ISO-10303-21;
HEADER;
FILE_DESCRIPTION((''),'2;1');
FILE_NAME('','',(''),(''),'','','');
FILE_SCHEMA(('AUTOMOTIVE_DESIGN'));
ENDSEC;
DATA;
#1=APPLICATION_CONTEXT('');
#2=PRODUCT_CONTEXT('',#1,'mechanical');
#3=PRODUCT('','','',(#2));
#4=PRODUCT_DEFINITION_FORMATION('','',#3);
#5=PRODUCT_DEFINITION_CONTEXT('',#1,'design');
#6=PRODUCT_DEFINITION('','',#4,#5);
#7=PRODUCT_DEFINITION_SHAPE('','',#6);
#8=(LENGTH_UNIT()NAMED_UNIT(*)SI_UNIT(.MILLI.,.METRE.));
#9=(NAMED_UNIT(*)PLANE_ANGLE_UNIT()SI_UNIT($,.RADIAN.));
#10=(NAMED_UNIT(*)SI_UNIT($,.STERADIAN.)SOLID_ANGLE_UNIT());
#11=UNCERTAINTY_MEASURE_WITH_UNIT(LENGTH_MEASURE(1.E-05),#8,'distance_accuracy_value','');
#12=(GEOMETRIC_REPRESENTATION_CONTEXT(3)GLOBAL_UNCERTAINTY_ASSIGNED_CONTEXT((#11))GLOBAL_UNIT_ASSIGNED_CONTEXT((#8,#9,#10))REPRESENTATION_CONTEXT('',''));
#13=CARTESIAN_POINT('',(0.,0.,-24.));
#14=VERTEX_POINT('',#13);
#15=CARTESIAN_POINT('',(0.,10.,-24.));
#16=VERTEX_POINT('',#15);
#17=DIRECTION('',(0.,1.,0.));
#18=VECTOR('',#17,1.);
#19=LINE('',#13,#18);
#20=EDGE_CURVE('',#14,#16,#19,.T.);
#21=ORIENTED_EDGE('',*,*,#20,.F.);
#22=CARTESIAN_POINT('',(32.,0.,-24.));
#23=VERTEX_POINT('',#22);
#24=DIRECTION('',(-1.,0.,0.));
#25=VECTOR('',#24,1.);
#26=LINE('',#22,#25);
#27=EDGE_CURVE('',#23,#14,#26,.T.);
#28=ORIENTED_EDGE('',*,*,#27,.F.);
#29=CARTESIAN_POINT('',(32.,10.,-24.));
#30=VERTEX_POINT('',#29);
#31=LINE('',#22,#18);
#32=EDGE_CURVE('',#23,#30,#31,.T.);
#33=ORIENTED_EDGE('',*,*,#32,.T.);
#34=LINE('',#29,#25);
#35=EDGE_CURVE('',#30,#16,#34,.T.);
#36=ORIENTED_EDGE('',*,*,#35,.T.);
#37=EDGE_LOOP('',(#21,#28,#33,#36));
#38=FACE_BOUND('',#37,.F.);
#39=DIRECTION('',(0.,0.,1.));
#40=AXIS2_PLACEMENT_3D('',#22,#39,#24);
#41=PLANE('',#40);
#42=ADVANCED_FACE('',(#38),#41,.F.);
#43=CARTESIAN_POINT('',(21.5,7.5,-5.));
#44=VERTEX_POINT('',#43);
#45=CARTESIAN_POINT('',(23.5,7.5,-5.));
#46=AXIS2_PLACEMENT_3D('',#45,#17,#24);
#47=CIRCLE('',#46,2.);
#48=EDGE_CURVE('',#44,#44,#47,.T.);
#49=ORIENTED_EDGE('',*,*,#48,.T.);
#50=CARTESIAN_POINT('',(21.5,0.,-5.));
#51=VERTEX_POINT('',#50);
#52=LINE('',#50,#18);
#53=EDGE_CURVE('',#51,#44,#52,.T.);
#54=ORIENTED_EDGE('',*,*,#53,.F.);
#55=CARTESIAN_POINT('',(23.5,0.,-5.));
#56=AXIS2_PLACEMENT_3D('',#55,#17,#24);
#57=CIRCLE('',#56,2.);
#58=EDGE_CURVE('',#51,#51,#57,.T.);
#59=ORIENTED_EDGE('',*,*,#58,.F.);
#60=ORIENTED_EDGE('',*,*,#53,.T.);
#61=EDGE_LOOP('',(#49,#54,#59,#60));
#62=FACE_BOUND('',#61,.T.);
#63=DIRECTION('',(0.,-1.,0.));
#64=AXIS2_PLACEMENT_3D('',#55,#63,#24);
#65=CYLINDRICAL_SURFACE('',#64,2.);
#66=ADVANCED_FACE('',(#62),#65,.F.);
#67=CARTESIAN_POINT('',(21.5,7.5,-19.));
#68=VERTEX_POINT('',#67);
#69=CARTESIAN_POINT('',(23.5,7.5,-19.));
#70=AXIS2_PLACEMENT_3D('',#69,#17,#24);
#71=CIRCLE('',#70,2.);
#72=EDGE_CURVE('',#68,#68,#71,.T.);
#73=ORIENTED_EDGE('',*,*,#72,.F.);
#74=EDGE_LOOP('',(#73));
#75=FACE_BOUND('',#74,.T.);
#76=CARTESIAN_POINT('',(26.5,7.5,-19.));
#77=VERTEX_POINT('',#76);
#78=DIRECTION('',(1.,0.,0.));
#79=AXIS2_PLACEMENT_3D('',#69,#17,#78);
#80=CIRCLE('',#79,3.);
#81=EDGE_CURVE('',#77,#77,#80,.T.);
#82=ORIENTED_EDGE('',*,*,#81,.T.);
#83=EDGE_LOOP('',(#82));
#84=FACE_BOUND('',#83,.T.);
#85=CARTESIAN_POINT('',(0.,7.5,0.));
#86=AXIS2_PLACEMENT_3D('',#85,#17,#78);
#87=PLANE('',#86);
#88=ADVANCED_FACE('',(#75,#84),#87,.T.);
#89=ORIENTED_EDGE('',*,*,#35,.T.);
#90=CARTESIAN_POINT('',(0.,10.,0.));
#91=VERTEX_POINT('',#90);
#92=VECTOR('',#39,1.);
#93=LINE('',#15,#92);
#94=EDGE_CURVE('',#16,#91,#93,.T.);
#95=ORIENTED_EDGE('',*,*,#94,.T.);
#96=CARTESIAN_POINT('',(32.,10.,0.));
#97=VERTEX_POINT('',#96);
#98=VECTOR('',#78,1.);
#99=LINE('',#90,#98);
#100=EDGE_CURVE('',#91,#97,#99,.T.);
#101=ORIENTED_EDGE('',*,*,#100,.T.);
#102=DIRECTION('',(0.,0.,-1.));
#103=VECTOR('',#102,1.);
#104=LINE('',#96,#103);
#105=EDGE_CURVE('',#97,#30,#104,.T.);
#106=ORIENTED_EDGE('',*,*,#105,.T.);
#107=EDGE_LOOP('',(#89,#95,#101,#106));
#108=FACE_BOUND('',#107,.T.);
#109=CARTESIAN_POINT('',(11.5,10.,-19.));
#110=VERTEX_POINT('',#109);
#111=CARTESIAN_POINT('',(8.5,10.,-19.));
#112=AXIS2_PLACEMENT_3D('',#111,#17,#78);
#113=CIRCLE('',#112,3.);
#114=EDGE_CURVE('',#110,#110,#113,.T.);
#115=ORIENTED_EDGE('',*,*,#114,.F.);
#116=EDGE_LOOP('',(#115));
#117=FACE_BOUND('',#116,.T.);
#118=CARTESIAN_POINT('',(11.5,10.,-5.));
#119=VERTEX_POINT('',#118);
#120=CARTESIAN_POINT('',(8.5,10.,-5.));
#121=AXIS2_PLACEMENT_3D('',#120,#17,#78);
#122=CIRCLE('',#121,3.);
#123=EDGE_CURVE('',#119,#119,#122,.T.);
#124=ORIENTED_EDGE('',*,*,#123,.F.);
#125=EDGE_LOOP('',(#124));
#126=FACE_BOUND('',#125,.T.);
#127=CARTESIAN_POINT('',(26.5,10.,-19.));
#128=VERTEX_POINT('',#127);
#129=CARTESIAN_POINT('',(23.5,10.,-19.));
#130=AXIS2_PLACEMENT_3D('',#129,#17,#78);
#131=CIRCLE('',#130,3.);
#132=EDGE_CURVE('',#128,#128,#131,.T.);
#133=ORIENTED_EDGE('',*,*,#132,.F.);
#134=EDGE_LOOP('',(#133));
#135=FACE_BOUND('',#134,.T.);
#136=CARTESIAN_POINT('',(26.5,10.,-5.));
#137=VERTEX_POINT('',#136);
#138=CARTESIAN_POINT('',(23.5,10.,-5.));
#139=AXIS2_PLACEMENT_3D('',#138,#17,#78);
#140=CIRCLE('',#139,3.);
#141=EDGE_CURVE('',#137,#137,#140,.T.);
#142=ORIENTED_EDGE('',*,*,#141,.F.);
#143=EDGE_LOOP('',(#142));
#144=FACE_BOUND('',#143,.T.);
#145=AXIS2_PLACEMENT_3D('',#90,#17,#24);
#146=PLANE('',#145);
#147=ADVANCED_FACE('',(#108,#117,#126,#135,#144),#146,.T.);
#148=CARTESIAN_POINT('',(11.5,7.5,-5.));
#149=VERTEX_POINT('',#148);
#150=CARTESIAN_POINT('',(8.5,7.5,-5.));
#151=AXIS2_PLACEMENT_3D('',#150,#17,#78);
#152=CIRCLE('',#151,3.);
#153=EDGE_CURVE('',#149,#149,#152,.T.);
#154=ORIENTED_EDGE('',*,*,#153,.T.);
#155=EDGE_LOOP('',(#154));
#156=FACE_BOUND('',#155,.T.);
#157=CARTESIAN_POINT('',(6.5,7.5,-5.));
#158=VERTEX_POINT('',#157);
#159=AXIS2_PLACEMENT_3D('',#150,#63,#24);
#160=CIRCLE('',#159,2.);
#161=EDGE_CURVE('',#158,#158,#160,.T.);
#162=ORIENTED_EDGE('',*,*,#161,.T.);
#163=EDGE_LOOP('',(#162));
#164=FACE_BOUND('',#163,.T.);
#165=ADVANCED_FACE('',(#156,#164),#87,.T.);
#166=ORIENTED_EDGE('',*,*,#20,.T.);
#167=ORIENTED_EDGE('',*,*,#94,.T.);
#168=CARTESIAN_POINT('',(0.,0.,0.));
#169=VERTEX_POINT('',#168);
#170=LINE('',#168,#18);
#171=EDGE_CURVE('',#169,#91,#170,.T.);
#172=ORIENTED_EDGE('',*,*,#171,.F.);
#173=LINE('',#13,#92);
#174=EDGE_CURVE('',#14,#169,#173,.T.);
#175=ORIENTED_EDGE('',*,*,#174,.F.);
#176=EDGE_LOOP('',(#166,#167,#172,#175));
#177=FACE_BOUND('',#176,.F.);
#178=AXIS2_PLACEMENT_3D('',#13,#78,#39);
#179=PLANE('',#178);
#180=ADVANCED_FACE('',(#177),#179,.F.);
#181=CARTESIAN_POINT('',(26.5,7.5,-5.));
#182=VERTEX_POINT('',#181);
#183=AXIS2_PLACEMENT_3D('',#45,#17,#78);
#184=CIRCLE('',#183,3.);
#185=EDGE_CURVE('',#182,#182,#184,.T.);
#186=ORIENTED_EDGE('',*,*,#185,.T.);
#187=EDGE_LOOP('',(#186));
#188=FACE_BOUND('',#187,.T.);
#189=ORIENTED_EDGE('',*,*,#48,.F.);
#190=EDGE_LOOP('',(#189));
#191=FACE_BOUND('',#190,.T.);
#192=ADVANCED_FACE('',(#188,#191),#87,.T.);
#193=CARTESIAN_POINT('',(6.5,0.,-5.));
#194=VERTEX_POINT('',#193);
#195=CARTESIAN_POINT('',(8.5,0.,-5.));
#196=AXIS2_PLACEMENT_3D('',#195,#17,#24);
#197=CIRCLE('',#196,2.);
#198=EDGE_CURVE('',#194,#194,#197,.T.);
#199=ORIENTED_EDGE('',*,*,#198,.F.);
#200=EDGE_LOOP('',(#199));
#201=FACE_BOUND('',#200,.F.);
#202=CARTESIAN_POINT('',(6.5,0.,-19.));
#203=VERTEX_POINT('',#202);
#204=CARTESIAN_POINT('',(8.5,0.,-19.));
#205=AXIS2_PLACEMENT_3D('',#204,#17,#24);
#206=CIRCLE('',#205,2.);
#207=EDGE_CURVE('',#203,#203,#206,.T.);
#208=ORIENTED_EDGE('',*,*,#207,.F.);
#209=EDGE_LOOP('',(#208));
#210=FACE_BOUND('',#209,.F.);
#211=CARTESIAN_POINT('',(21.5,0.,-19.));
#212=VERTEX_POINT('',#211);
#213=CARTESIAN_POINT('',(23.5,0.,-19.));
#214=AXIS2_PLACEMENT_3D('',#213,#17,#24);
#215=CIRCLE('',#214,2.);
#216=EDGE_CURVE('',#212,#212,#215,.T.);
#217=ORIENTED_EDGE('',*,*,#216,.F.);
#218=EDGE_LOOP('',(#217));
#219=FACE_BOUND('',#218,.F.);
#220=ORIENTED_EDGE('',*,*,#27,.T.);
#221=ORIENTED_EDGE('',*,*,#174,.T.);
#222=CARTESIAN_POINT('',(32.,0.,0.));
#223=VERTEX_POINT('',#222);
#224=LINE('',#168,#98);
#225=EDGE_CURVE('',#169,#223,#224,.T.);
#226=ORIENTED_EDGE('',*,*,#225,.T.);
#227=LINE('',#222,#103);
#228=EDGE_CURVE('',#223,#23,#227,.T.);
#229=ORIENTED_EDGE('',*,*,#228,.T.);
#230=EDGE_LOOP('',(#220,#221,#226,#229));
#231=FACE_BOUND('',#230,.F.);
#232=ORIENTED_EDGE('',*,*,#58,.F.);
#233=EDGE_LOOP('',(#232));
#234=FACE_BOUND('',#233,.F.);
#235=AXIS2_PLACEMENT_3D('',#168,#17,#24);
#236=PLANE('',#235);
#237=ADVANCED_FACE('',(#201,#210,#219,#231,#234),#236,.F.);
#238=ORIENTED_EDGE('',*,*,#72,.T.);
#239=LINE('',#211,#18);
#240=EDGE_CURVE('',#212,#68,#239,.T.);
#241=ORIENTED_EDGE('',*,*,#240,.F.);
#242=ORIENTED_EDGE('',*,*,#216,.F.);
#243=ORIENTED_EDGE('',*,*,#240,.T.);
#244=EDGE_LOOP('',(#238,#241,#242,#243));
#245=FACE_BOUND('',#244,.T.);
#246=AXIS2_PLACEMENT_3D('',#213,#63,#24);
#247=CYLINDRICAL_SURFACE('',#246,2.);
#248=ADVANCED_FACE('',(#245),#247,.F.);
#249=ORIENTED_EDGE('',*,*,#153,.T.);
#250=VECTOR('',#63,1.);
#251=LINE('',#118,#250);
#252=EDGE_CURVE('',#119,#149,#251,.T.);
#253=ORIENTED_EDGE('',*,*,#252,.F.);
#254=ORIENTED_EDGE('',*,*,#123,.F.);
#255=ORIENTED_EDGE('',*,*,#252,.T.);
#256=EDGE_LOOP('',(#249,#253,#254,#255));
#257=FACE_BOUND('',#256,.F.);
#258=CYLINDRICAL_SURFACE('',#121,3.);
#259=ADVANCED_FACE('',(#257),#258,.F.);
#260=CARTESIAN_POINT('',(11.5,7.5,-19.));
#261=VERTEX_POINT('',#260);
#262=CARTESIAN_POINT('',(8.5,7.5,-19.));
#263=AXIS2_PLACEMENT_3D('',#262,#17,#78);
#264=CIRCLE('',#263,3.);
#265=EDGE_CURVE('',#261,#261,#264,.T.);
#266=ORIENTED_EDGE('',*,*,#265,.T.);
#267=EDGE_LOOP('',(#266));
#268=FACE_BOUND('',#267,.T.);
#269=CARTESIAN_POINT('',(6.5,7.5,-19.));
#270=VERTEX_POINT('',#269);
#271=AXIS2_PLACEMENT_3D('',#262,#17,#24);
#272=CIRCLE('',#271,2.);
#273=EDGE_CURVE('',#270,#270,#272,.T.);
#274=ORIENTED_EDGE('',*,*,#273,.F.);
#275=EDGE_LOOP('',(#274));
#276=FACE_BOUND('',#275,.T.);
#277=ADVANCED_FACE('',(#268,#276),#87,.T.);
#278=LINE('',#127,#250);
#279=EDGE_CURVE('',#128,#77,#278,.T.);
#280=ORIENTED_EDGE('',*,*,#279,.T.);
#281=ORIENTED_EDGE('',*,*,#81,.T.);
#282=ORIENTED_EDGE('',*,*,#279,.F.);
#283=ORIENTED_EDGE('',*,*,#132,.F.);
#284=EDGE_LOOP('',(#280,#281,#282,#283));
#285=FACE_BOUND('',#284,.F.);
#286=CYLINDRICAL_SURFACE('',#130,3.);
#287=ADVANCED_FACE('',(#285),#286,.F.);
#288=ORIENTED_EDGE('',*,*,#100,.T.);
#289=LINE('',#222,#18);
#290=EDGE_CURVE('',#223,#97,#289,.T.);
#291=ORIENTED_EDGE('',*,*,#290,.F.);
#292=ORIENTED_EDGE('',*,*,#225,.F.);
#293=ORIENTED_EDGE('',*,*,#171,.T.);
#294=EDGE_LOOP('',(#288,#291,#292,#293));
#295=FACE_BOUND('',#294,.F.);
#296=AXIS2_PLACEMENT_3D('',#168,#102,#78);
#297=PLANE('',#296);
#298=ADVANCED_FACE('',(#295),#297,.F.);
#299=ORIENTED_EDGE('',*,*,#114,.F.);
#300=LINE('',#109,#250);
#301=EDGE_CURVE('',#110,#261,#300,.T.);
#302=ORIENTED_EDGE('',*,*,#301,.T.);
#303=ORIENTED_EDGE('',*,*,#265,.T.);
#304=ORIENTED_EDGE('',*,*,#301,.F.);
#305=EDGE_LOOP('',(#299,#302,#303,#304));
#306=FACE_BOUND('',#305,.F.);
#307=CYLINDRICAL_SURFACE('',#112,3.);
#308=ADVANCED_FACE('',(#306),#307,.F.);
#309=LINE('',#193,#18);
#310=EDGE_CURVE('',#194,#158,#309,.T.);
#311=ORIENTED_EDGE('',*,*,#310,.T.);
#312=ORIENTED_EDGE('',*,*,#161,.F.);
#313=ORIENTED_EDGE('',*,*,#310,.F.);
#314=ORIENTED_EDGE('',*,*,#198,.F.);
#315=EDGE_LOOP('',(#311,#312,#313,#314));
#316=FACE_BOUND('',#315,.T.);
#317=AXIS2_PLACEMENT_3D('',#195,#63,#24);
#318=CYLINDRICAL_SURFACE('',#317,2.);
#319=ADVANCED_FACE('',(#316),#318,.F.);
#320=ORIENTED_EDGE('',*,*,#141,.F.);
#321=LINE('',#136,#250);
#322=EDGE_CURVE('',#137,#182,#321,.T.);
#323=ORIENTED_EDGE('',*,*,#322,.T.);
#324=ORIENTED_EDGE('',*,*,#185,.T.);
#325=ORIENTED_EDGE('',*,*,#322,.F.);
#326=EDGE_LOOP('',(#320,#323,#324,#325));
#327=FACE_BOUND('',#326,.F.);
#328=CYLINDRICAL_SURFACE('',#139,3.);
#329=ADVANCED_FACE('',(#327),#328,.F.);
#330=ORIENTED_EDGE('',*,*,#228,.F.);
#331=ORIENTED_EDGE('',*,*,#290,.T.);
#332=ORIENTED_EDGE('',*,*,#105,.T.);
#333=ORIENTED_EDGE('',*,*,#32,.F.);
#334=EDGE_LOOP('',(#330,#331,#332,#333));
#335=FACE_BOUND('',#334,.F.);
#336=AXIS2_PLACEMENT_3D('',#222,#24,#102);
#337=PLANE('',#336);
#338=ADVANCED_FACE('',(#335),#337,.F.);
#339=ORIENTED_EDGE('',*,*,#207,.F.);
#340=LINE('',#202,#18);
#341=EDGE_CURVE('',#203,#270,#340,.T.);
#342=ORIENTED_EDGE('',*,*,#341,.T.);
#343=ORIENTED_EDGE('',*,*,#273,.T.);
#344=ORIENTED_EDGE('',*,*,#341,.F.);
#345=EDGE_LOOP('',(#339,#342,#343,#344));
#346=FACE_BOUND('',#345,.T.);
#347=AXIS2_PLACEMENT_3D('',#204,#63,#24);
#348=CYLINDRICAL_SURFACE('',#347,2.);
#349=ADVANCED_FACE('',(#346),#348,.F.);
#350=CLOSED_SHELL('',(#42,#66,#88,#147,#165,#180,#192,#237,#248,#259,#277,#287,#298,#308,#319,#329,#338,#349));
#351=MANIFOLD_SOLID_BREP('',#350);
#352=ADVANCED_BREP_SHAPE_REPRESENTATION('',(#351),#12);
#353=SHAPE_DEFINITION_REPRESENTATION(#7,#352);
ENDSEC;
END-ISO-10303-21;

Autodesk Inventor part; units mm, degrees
ref_plane "YZ Plane" through (0, 0, 0) normal (1, 0, 0) x (0, 1, 0)
ref_plane "XZ Plane" through (0, 0, 0) normal (0, 1, 0) x (-1, 0, 0)
ref_plane "XY Plane" through (0, 0, 0) normal (0, 0, 1) x (1, 0, 0)
sketch "Sketch1" plane through (0, 0, 0) normal (0, 1, 0) x (-1, 0, 0)
  line L0 (0, 0) -> (-32, 0)
  line L1 (-32, 0) -> (-32, -24)
  line L2 (-32, -24) -> (0, -24)
  line L3 (0, -24) -> (0, 0)
  circle A0 centre (-8.5, -19) radius 2
  circle A1 centre (-23.5, -19) radius 2
  circle A2 centre (-23.5, -5) radius 2
  circle A3 centre (-8.5, -5) radius 2
  line L4 (-16, -24) -> (-16, 0) construction
  line L5 (0, -12) -> (-32, -12) construction
  dimension "d0" = 32
  dimension "d1" = 24
  dimension "x" = 4
  dimension "d3" = 4
  dimension "d4" = 4
  dimension "d5" = 4
  dimension "d6" = 15
  dimension "d7" = 7.5
  dimension "d8" = 14
  dimension "d9" = 7
extrude "Extrusion1" add sketch "Sketch1" along normal blind 10
sketch "Sketch2" plane through (0, 10, 0) normal (0, 1, 0) x (1, 0, 0)
  circle A0 centre (23.5, 5) radius 2 projected
  circle A1 centre (8.5, 19) radius 2 projected
  circle A2 centre (23.5, 19) radius 2 projected
  circle A3 centre (8.5, 5) radius 2 projected
  circle A4 centre (8.5, 19) radius 3
  circle A5 centre (23.5, 19) radius 3
  circle A6 centre (8.5, 5) radius 3
  circle A7 centre (23.5, 5) radius 3
  point P0 (0, 0)
  dimension "d12" = 6
  dimension "d13" = 6
  dimension "d14" = 6
  dimension "d15" = 6
extrude "Extrusion2" cut sketch "Sketch2" against normal blind 2.5 contours A3 | A4 | A5 | A6 | A7
equation "\"d3\" = x"
equation "\"d4\" = x"
equation "\"d5\" = x"
properties part number "WristMotorTensioner"
